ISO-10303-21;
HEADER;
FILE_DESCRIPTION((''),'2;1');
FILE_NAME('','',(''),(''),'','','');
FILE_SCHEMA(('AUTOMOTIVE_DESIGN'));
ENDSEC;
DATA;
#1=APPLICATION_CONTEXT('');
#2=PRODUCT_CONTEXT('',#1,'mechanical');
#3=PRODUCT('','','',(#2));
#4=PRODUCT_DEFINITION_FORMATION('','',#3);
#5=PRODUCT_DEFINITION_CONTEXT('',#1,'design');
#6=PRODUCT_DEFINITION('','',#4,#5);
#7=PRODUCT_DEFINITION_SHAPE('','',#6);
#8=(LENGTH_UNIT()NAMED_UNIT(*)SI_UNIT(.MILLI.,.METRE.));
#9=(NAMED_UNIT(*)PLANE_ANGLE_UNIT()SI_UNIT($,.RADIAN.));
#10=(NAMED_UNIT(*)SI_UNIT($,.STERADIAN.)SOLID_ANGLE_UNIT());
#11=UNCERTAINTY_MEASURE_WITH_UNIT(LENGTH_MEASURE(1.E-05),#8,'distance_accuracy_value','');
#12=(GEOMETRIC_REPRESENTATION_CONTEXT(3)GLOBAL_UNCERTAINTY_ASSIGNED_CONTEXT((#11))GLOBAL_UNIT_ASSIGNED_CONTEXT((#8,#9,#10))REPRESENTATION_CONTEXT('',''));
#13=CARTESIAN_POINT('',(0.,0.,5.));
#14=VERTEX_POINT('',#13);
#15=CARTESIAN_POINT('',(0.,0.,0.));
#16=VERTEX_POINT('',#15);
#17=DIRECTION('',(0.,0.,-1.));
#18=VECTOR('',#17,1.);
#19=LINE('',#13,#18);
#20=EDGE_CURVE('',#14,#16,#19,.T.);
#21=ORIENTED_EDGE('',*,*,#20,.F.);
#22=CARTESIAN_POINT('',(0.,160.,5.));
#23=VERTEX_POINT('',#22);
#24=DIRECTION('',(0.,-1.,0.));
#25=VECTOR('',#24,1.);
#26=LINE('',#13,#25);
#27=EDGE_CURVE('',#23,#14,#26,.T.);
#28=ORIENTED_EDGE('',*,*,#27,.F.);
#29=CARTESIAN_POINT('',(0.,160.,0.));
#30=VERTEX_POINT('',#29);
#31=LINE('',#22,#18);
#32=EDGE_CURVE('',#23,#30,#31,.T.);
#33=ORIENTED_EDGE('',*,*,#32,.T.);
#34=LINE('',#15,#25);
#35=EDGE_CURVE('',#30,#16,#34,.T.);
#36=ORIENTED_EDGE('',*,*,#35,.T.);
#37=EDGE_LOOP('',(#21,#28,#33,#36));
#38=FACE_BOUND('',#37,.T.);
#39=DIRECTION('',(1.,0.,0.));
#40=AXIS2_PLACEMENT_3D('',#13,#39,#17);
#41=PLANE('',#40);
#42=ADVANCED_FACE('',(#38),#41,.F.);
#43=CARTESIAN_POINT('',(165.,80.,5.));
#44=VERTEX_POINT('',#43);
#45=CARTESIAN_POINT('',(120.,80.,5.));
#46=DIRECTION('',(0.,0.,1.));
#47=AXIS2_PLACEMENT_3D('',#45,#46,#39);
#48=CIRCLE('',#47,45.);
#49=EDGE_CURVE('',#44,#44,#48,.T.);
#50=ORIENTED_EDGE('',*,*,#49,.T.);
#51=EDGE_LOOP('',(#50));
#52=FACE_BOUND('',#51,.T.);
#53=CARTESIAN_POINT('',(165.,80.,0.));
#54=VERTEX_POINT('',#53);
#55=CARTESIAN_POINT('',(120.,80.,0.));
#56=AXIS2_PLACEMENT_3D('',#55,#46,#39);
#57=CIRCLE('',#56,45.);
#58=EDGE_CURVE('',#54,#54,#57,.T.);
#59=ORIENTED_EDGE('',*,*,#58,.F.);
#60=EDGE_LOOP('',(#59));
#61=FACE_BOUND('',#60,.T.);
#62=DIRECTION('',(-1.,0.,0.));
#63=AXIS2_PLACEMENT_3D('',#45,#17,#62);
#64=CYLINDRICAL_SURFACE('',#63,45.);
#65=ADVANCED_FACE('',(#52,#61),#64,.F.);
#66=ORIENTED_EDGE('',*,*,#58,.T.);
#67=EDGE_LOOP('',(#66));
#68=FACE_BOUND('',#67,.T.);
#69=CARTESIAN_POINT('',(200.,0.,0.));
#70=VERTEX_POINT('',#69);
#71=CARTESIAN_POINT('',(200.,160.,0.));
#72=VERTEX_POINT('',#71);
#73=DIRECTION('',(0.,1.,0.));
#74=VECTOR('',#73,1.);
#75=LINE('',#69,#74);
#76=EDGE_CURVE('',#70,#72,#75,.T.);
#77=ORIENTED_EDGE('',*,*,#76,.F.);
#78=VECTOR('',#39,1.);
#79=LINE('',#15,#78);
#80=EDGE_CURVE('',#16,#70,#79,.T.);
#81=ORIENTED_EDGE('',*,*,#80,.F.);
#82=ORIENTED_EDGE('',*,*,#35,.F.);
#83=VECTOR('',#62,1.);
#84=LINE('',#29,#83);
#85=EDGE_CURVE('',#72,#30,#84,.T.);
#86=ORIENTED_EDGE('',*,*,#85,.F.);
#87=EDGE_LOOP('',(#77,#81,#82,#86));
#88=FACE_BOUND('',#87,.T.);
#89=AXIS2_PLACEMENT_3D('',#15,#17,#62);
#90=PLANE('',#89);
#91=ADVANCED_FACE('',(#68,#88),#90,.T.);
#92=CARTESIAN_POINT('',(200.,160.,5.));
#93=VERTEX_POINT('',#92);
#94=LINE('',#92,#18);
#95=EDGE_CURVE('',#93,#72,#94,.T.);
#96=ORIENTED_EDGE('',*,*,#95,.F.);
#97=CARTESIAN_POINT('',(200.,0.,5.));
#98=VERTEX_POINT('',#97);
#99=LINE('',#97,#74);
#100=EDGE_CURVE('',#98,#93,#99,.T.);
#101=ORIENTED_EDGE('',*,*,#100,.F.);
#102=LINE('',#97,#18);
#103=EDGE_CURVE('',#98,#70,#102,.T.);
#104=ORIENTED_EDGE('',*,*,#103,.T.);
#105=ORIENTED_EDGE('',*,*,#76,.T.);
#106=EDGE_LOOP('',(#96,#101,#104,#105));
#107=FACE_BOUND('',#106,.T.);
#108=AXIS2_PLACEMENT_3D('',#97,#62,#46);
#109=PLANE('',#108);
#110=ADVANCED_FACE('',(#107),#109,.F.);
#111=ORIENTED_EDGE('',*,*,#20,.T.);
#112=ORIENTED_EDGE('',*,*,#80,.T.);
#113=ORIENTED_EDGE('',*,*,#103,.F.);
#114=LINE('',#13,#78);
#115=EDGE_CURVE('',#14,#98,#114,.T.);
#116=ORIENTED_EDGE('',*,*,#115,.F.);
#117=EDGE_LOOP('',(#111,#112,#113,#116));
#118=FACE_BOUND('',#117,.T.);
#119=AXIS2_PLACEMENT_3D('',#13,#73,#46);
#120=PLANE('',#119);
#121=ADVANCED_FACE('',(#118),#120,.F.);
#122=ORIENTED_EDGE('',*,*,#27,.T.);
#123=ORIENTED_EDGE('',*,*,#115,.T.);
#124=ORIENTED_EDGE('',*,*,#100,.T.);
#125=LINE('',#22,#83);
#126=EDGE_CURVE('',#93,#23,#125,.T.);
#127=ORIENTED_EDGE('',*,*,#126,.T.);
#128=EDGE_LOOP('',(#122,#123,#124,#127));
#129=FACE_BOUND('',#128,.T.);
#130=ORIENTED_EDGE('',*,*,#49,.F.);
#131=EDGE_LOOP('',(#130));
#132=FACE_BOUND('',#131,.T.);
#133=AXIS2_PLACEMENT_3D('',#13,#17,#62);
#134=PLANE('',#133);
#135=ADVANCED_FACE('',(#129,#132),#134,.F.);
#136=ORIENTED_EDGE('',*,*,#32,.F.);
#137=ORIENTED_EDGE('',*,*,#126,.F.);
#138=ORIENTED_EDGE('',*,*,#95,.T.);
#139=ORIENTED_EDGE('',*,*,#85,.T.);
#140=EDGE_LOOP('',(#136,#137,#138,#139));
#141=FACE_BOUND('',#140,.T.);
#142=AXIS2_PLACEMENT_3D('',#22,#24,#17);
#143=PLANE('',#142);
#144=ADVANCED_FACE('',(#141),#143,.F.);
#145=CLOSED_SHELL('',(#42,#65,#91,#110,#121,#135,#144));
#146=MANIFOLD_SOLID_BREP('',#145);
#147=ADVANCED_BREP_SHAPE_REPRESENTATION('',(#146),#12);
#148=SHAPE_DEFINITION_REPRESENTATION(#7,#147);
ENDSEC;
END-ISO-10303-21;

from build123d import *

# Parameters (mm, degrees)
SKETCH_1_W      = 200
SKETCH_1_H      = 160
SKETCH_1_R      = 45
EXTRUDE_2_DEPTH = 5


with BuildPart() as part:
    # 草图1 → 凸台-拉伸2 (new body)
    with BuildSketch(Plane.XY):
        with Locations((100, 80)):
            Rectangle(SKETCH_1_W, SKETCH_1_H)
        with Locations((120, 80)):
            Circle(SKETCH_1_R, mode=Mode.SUBTRACT)
    extrude(amount=EXTRUDE_2_DEPTH)


solid = part.part
